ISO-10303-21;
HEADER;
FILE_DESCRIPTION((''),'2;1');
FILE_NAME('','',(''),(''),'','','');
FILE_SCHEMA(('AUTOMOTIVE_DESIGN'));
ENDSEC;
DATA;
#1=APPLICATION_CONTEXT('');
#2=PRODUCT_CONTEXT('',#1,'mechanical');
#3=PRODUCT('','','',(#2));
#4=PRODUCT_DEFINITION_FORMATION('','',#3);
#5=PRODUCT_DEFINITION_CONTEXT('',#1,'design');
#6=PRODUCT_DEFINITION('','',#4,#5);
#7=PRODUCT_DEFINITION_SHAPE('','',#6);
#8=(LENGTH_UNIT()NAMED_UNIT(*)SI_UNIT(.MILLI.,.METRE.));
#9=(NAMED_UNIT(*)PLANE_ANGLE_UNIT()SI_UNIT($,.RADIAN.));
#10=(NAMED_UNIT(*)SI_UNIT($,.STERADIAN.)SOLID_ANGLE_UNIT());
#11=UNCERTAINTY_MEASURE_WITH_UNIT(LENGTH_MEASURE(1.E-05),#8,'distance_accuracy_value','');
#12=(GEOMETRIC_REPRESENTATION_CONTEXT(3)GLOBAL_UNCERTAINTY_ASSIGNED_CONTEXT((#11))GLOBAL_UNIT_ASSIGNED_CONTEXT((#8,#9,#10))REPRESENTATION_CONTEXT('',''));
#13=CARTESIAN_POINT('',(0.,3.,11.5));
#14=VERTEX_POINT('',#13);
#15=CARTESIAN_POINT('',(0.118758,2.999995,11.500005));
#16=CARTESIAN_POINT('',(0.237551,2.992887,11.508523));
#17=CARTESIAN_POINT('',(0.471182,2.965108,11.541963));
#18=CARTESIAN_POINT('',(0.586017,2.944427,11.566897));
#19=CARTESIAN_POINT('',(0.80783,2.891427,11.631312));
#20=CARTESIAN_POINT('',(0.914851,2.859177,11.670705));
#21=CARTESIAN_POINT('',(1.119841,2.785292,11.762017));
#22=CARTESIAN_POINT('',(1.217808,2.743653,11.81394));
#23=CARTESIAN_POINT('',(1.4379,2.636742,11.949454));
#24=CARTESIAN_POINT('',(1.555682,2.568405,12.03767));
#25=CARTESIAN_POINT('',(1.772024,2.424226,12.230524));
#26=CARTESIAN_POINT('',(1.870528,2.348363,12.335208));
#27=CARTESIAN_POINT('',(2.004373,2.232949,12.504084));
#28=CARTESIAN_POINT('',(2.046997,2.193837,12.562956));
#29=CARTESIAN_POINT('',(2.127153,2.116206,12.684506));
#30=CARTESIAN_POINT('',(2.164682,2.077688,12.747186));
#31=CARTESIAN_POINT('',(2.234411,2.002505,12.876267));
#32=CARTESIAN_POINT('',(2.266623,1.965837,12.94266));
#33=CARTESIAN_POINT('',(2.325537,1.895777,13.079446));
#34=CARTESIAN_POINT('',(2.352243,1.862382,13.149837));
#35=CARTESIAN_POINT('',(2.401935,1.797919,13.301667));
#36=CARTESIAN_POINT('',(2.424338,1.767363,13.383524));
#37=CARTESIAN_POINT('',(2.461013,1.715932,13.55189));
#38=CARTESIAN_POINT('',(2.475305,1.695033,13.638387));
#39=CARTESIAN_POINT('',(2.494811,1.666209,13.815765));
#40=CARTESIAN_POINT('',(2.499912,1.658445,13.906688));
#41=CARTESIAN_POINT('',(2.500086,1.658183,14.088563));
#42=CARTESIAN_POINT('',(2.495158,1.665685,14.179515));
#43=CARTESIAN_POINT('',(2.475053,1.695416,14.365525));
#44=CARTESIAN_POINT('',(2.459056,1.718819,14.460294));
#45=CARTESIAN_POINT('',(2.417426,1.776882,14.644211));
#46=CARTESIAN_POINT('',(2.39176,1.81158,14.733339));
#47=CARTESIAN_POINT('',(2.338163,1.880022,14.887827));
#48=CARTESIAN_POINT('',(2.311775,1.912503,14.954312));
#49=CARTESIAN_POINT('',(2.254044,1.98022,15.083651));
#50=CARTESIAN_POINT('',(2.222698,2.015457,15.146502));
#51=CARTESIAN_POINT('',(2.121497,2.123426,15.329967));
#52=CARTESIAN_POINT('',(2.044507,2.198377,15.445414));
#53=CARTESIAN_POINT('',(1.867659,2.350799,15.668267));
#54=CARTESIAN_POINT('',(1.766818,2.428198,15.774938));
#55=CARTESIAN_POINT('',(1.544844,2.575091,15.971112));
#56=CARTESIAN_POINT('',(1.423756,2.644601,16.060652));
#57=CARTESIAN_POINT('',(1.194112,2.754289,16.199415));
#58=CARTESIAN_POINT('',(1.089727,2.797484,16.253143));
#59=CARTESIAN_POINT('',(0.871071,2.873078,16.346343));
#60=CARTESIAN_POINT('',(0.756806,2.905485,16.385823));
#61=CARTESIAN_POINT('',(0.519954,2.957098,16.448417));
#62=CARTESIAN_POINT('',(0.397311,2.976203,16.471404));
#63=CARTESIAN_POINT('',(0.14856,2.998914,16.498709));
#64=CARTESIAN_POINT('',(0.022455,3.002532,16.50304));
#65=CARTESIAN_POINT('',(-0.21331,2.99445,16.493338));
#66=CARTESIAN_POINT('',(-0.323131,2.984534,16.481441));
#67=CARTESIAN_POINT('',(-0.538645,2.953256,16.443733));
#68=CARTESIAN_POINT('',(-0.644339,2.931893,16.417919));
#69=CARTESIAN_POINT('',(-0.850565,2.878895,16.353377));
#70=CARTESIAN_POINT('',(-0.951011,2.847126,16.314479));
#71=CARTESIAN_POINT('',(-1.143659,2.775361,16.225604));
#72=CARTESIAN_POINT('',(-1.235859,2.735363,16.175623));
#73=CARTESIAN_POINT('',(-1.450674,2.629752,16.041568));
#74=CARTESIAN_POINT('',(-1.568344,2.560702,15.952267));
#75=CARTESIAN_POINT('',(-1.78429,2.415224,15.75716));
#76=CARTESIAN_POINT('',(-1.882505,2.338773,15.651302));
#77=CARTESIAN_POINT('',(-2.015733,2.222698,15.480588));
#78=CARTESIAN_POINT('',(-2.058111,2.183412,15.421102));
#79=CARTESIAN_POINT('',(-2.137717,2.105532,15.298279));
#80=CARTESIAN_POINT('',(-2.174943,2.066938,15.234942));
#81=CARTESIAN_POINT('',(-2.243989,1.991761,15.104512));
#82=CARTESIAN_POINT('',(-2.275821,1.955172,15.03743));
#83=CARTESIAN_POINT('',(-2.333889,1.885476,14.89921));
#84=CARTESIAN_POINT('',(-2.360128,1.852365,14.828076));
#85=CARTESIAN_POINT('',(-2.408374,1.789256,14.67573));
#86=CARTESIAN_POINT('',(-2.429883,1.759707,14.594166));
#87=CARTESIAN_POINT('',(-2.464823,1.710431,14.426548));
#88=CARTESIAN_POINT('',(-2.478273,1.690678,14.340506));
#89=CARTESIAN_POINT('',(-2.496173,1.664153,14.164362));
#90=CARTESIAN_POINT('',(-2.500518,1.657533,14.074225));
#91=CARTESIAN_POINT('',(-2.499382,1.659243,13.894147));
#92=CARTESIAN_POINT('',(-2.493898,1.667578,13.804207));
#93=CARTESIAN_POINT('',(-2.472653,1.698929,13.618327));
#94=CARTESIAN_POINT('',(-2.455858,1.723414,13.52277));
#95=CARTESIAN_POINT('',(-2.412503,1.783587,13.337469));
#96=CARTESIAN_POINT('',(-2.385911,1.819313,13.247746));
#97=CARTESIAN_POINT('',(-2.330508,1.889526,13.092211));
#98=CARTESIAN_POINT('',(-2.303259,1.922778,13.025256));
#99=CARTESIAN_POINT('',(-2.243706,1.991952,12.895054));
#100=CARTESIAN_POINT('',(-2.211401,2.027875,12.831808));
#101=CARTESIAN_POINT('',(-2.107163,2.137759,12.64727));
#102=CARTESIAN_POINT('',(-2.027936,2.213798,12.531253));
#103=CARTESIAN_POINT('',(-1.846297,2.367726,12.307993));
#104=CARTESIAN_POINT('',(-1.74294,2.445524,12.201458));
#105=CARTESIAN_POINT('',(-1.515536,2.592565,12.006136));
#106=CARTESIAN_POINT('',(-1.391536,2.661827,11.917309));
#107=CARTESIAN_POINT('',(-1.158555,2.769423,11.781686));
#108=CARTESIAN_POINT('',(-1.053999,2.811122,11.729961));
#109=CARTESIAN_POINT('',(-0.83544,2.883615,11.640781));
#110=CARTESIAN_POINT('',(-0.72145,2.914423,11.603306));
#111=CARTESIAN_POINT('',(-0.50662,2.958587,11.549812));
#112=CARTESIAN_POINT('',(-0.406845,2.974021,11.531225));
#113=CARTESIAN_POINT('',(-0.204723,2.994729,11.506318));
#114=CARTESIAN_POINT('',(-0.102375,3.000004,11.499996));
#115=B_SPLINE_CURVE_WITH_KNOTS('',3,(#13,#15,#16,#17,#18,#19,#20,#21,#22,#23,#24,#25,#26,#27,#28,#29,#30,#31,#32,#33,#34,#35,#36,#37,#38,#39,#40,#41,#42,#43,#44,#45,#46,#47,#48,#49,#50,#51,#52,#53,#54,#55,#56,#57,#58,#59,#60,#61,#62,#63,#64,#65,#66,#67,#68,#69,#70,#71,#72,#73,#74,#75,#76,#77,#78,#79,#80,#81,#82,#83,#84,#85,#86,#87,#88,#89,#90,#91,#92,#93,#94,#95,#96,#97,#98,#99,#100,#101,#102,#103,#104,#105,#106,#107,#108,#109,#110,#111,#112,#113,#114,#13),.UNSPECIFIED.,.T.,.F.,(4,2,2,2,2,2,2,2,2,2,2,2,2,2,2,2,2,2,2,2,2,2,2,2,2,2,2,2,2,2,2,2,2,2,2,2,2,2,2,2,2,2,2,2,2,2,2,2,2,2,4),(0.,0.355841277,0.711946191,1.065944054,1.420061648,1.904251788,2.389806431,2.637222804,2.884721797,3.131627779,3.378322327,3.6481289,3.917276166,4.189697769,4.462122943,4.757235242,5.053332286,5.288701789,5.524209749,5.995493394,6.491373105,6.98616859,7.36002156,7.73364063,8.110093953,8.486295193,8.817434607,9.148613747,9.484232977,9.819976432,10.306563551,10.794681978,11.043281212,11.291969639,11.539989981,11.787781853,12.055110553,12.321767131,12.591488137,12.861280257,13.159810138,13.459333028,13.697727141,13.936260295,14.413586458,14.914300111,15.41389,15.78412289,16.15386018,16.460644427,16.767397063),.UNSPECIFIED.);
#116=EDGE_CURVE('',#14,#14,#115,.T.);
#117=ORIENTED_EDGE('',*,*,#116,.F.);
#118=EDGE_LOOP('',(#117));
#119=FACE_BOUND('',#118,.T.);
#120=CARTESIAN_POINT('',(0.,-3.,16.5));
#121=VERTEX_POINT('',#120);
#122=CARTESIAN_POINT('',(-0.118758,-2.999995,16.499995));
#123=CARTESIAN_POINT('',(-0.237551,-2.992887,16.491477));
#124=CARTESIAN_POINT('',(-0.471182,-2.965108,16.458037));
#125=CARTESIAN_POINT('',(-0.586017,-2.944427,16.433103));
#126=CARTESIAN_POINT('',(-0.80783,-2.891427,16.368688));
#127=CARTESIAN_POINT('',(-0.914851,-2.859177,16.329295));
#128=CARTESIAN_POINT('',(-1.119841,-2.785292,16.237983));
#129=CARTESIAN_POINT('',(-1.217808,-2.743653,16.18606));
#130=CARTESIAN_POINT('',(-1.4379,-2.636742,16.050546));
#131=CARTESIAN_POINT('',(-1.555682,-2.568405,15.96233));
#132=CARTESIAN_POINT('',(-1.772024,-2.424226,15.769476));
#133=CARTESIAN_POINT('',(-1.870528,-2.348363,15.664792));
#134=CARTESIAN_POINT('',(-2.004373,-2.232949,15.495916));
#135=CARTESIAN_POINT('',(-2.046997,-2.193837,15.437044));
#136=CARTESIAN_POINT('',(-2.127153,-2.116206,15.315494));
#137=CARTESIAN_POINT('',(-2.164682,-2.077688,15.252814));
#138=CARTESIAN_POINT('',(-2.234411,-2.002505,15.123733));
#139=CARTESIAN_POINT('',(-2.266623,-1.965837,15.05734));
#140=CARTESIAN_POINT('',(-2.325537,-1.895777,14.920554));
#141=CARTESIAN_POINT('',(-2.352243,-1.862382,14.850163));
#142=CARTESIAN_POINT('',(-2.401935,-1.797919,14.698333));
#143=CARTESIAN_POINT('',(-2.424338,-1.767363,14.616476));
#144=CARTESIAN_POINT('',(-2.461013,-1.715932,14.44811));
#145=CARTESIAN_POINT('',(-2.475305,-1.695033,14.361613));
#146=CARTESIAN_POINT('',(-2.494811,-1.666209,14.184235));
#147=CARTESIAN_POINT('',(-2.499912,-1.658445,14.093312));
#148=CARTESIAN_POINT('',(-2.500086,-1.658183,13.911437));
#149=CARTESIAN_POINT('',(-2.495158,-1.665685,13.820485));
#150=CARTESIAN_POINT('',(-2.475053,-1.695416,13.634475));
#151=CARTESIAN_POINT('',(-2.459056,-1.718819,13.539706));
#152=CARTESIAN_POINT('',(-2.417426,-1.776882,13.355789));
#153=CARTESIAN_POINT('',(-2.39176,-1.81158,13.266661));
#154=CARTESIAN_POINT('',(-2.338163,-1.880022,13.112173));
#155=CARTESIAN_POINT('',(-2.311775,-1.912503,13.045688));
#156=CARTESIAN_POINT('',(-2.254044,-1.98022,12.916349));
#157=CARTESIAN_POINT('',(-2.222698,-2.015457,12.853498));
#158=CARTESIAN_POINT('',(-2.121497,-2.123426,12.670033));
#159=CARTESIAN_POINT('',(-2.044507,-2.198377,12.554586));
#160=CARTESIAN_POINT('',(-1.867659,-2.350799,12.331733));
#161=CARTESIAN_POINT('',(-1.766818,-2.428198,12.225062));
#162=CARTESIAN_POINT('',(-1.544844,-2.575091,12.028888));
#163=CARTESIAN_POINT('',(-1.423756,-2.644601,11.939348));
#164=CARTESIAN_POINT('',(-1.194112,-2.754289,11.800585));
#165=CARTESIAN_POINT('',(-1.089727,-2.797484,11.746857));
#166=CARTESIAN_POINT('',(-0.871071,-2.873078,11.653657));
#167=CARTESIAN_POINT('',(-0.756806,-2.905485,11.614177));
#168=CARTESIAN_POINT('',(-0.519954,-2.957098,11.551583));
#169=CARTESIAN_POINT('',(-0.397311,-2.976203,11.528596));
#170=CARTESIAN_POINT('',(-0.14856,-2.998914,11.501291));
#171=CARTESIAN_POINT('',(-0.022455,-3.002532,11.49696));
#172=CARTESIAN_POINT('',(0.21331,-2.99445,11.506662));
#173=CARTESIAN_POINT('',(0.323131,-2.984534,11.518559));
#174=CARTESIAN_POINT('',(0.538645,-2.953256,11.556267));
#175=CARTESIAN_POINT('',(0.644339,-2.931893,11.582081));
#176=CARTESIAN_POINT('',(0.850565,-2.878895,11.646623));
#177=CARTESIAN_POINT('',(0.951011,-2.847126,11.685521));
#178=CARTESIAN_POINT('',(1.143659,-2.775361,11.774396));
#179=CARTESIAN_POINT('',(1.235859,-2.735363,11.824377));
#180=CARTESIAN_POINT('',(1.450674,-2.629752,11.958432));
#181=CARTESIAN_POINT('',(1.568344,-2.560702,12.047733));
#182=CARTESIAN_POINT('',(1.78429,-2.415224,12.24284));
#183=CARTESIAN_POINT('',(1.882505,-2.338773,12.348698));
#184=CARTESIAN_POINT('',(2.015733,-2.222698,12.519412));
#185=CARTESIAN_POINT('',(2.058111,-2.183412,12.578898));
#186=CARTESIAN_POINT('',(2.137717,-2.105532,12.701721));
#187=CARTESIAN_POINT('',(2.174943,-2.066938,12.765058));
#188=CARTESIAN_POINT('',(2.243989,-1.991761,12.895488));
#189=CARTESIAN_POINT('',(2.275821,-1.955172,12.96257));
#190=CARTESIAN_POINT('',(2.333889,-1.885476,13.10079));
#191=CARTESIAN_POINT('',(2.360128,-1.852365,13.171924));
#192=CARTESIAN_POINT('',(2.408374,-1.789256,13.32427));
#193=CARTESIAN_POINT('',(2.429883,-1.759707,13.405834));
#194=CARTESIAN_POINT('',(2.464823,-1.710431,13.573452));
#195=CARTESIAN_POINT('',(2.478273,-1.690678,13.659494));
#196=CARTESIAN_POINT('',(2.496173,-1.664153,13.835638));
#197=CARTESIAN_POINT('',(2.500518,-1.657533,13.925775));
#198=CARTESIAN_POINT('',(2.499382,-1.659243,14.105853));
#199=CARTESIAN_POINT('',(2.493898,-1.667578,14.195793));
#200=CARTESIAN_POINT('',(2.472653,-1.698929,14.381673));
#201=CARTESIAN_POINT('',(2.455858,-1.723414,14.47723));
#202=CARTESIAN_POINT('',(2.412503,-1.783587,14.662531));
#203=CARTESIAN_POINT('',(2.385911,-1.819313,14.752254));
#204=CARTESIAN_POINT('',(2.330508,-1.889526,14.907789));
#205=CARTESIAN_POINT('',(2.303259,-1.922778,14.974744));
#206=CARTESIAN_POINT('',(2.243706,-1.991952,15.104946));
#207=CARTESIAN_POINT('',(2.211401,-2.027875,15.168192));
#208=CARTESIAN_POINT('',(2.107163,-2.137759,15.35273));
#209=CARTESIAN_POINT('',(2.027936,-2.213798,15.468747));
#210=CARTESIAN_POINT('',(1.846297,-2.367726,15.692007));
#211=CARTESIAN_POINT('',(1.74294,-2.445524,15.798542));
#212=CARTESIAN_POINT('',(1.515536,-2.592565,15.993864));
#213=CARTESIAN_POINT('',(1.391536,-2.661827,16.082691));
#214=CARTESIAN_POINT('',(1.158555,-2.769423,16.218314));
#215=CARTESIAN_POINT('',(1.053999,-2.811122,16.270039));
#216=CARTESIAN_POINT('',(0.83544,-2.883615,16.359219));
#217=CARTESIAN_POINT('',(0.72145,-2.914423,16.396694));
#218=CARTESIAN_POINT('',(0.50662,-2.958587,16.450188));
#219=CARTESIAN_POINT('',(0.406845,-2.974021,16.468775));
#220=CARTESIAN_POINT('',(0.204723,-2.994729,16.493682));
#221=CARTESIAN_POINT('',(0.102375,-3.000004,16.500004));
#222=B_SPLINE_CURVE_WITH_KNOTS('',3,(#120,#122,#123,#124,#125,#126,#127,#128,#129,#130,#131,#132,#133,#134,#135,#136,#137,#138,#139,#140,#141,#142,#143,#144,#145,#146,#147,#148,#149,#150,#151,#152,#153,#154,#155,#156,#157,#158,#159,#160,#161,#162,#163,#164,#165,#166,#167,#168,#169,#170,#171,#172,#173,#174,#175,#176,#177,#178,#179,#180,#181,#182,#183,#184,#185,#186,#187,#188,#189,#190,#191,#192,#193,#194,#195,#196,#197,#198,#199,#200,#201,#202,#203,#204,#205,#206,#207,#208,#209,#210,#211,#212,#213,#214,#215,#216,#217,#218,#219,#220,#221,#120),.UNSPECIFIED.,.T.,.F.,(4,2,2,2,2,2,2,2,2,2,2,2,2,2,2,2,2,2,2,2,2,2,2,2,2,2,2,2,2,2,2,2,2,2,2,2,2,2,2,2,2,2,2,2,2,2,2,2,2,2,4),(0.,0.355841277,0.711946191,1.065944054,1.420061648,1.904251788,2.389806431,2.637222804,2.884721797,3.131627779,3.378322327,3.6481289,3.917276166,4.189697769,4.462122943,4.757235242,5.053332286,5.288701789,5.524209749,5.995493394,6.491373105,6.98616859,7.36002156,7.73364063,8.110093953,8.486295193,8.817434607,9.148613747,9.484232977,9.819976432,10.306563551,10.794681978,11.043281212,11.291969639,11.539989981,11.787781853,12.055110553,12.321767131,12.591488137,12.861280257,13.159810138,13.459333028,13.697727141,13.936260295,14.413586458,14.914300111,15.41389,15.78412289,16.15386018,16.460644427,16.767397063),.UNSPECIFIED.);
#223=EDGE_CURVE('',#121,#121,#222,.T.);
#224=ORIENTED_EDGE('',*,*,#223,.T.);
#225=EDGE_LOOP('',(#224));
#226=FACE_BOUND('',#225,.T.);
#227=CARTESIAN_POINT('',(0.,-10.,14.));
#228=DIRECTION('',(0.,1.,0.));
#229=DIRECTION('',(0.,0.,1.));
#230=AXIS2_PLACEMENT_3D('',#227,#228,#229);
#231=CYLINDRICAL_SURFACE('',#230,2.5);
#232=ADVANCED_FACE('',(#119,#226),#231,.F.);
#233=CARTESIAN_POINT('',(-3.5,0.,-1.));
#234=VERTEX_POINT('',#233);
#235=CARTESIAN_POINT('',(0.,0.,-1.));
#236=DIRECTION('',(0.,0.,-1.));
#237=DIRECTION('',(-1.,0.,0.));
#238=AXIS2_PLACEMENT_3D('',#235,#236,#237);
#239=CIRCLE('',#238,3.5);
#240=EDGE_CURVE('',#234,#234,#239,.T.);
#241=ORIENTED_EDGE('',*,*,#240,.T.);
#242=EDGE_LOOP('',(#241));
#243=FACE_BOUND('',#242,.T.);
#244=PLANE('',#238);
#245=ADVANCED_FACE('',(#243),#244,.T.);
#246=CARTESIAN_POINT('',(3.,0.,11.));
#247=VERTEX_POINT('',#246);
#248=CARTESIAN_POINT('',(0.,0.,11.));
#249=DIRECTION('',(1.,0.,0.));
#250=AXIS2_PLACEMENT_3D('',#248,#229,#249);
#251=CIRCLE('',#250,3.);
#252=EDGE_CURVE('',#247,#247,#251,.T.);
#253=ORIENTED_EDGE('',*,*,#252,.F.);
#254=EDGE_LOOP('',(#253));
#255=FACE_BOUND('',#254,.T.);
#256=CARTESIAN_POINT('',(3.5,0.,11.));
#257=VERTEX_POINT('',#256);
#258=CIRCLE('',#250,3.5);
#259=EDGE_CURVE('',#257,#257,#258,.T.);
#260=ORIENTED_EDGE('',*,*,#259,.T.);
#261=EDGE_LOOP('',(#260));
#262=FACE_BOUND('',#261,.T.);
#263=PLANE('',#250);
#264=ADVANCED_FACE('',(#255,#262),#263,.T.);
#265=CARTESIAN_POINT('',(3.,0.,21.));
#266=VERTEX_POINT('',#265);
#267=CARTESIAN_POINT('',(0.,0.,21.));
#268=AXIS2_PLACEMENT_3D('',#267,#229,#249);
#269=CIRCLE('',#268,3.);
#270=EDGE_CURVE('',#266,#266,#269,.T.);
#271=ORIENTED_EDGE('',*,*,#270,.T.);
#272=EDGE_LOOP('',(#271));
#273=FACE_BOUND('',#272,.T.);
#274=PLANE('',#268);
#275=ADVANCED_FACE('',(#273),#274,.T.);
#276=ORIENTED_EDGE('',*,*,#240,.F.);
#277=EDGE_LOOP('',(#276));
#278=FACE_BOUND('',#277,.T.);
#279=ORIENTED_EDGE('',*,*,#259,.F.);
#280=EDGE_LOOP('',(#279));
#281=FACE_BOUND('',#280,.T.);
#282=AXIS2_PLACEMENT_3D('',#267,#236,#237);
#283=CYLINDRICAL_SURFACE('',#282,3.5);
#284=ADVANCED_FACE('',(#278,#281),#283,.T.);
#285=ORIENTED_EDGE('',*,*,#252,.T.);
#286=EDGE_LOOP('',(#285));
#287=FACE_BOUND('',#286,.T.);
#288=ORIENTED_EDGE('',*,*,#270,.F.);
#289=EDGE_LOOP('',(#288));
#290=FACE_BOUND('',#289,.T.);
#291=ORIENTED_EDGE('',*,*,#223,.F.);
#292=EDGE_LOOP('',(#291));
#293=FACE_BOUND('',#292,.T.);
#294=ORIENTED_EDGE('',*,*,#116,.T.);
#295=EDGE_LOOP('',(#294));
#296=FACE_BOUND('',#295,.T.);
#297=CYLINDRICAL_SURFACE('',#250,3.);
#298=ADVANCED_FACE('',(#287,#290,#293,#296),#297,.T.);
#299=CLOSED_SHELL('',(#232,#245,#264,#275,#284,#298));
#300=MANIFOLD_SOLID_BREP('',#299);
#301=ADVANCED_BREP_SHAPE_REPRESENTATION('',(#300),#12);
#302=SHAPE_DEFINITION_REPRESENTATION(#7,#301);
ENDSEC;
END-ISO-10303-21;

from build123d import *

# Parameters (mm, degrees)
CROQUIS1_R              = 3.5
SALIENTE_EXTRUIR1_DEPTH = 21
CROQUIS2_R              = 3.5
CROQUIS2_R_2            = 3
CORTAR_EXTRUIR1_DEPTH   = 10
CROQUIS3_R              = 2.5
CORTAR_EXTRUIR2_DEPTH   = 10
CROQUIS4_R              = 3.5
SALIENTE_EXTRUIR2_DEPTH = 1


with BuildPart() as part:
    # Croquis1 → Saliente-Extruir1 (new body)
    with BuildSketch(Plane.XY):
        Circle(CROQUIS1_R)
    extrude(amount=SALIENTE_EXTRUIR1_DEPTH)

    # Croquis2 → Cortar-Extruir1 (cut)
    with BuildSketch(Plane.XY.offset(21)):
        Circle(CROQUIS2_R)
        Circle(CROQUIS2_R_2, mode=Mode.SUBTRACT)
    extrude(amount=-CORTAR_EXTRUIR1_DEPTH, mode=Mode.SUBTRACT)

    # Croquis3 → Cortar-Extruir2 (cut)
    with BuildSketch(Plane(origin=(0, 0, 0), x_dir=(1, 0, 0), z_dir=(0, 1, 0))):
        with Locations((0, -14)):
            Circle(CROQUIS3_R)
    cortar_extruir2 = extrude(amount=-CORTAR_EXTRUIR2_DEPTH, mode=Mode.SUBTRACT)

    # Simetría1: Cortar-Extruir2 across plane
    add(cortar_extruir2.mirror(Plane.ZX), mode=Mode.SUBTRACT)

    # Croquis4 → Saliente-Extruir2 (add)
    with BuildSketch(Plane(origin=(0, 0, 0), x_dir=(-1, 0, 0), z_dir=(0, 0, -1))):
        Circle(CROQUIS4_R)
    extrude(amount=SALIENTE_EXTRUIR2_DEPTH)


solid = part.part
